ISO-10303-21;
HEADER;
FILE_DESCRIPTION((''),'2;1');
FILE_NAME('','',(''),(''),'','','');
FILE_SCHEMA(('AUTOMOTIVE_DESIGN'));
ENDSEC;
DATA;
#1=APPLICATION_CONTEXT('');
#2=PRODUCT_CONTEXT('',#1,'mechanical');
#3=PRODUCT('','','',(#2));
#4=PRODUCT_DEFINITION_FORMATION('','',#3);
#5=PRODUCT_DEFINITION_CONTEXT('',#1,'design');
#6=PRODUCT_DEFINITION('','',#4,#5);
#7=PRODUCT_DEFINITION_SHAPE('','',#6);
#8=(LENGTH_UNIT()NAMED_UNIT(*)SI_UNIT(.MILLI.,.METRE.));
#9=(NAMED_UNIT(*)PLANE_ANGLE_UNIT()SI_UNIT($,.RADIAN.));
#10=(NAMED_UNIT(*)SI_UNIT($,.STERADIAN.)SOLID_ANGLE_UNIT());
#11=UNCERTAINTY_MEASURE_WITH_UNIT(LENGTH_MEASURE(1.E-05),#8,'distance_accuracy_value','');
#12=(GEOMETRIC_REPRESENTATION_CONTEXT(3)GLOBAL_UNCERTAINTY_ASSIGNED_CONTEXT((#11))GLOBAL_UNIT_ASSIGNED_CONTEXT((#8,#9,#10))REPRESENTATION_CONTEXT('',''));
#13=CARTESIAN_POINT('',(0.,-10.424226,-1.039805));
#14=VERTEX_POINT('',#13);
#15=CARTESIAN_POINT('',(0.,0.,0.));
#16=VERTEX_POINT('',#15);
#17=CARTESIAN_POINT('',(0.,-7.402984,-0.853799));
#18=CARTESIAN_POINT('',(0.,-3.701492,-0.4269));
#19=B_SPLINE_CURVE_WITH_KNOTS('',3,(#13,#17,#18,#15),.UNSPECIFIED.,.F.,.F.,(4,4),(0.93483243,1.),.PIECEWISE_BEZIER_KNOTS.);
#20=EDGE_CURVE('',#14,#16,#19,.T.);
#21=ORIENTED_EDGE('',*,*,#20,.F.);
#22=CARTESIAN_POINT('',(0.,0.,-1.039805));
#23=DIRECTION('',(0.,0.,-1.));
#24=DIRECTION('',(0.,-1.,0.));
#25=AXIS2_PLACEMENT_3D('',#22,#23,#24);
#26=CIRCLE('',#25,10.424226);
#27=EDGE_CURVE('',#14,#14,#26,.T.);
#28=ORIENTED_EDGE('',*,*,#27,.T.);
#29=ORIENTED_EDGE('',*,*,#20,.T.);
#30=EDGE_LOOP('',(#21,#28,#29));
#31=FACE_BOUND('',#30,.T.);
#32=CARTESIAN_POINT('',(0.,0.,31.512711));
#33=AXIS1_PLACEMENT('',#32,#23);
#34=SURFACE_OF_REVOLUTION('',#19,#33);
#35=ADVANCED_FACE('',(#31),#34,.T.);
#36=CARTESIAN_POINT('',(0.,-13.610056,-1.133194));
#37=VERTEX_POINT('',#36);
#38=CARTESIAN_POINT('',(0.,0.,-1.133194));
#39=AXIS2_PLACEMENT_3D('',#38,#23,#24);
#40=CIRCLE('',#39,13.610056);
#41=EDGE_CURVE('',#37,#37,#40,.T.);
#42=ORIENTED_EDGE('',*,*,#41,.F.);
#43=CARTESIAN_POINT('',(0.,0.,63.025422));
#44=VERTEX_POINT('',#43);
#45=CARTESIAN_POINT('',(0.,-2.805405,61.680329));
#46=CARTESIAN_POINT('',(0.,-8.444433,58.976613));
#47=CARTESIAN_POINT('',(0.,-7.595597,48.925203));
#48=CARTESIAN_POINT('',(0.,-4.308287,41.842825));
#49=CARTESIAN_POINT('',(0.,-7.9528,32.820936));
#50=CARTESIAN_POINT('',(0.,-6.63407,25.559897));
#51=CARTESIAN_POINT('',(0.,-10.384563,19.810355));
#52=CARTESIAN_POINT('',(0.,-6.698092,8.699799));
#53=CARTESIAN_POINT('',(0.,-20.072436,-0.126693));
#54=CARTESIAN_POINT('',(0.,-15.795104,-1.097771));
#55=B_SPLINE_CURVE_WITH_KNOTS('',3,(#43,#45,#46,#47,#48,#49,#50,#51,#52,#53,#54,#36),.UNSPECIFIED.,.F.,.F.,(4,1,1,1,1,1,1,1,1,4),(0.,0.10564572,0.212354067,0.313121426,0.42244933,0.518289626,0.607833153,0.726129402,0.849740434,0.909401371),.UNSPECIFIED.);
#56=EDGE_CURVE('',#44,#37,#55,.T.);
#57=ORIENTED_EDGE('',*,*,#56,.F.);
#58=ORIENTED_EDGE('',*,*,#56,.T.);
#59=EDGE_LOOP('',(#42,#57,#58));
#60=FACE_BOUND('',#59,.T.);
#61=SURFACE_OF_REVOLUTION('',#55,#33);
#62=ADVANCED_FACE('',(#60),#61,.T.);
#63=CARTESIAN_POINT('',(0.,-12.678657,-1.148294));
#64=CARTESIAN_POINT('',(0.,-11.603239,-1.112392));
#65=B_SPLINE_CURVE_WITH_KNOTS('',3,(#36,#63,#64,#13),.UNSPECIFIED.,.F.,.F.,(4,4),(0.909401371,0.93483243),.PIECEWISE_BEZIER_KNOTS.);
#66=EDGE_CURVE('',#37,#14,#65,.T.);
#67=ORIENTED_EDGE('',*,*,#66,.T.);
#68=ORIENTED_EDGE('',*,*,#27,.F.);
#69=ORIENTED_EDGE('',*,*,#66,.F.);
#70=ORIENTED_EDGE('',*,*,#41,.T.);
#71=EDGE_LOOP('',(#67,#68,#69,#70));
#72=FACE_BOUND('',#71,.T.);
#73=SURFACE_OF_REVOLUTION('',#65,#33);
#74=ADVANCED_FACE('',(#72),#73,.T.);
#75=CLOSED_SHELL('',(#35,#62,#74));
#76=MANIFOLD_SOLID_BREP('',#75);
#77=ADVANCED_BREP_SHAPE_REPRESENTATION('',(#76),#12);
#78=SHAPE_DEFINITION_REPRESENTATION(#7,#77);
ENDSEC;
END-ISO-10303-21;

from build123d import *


with BuildPart() as f1:
    # F0 (on Right) → F1 (revolve)
    with BuildSketch(Plane.YZ):
        with BuildLine():
            Line((0, 0), (0, 63.0254223943))
            add(Edge.make_bspline(
                [(0, 63.0254223943), (-2.8054048903, 61.6803291017), (-8.4444325535, 58.9766130311), (-7.5955974711, 48.9252033029), (-4.3082866855, 41.8428251304), (-7.9527998584, 32.8209360776), (-6.634069504, 25.5598967962), (-10.3845633399, 19.8103548089), (-6.6980919271, 8.6997986147), (-20.0724360119, -0.1266925502), (-15.795104252, -1.0977707871), (-13.610055796, -1.1331941738)],
                knots=[0, 0, 0, 0, 0.1056457202, 0.2123540673, 0.3131214257, 0.4224493299, 0.5182896256, 0.6078331527, 0.7261294022, 0.8497404342, 0.9094013707, 0.9094013707, 0.9094013707, 0.9094013707], degree=3))
            add(Edge.make_bspline(
                [(-10.4242259481, -1.0398048908), (-11.4861681915, -1.0708705486), (-12.5481088071, -1.1018358), (-13.610055796, -1.1331941738)],
                knots=[1.8903546077, 1.8903546077, 1.8903546077, 1.8903546077, 5.077555677, 5.077555677, 5.077555677, 5.077555677], degree=3))
            add(Edge.make_bspline(
                [(-10.4242259481, -1.0398048908), (-7.4029836677, -0.853799189), (-3.7014918338, -0.4268995945), (0, 0)],
                knots=[0.9348324302, 0.9348324302, 0.9348324302, 0.9348324302, 1, 1, 1, 1], degree=3))
        make_face()
        with BuildLine():
            add(Edge.make_bspline(
                [(-10.4242259481, -1.0398048908), (-11.4861681915, -1.0708705486), (-12.5481088071, -1.1018358), (-13.610055796, -1.1331941738)],
                knots=[1.8903546077, 1.8903546077, 1.8903546077, 1.8903546077, 5.077555677, 5.077555677, 5.077555677, 5.077555677], degree=3))
            add(Edge.make_bspline(
                [(-13.610055796, -1.1331941738), (-12.6786574548, -1.1482937399), (-11.6032386441, -1.1123919472), (-10.4242259481, -1.0398048908)],
                knots=[0.9094013707, 0.9094013707, 0.9094013707, 0.9094013707, 0.9348324302, 0.9348324302, 0.9348324302, 0.9348324302], degree=3))
        make_face()
    revolve(axis=Axis((0, 0, 31.5127111971), (0, 0, -1)))


solid = f1.part
